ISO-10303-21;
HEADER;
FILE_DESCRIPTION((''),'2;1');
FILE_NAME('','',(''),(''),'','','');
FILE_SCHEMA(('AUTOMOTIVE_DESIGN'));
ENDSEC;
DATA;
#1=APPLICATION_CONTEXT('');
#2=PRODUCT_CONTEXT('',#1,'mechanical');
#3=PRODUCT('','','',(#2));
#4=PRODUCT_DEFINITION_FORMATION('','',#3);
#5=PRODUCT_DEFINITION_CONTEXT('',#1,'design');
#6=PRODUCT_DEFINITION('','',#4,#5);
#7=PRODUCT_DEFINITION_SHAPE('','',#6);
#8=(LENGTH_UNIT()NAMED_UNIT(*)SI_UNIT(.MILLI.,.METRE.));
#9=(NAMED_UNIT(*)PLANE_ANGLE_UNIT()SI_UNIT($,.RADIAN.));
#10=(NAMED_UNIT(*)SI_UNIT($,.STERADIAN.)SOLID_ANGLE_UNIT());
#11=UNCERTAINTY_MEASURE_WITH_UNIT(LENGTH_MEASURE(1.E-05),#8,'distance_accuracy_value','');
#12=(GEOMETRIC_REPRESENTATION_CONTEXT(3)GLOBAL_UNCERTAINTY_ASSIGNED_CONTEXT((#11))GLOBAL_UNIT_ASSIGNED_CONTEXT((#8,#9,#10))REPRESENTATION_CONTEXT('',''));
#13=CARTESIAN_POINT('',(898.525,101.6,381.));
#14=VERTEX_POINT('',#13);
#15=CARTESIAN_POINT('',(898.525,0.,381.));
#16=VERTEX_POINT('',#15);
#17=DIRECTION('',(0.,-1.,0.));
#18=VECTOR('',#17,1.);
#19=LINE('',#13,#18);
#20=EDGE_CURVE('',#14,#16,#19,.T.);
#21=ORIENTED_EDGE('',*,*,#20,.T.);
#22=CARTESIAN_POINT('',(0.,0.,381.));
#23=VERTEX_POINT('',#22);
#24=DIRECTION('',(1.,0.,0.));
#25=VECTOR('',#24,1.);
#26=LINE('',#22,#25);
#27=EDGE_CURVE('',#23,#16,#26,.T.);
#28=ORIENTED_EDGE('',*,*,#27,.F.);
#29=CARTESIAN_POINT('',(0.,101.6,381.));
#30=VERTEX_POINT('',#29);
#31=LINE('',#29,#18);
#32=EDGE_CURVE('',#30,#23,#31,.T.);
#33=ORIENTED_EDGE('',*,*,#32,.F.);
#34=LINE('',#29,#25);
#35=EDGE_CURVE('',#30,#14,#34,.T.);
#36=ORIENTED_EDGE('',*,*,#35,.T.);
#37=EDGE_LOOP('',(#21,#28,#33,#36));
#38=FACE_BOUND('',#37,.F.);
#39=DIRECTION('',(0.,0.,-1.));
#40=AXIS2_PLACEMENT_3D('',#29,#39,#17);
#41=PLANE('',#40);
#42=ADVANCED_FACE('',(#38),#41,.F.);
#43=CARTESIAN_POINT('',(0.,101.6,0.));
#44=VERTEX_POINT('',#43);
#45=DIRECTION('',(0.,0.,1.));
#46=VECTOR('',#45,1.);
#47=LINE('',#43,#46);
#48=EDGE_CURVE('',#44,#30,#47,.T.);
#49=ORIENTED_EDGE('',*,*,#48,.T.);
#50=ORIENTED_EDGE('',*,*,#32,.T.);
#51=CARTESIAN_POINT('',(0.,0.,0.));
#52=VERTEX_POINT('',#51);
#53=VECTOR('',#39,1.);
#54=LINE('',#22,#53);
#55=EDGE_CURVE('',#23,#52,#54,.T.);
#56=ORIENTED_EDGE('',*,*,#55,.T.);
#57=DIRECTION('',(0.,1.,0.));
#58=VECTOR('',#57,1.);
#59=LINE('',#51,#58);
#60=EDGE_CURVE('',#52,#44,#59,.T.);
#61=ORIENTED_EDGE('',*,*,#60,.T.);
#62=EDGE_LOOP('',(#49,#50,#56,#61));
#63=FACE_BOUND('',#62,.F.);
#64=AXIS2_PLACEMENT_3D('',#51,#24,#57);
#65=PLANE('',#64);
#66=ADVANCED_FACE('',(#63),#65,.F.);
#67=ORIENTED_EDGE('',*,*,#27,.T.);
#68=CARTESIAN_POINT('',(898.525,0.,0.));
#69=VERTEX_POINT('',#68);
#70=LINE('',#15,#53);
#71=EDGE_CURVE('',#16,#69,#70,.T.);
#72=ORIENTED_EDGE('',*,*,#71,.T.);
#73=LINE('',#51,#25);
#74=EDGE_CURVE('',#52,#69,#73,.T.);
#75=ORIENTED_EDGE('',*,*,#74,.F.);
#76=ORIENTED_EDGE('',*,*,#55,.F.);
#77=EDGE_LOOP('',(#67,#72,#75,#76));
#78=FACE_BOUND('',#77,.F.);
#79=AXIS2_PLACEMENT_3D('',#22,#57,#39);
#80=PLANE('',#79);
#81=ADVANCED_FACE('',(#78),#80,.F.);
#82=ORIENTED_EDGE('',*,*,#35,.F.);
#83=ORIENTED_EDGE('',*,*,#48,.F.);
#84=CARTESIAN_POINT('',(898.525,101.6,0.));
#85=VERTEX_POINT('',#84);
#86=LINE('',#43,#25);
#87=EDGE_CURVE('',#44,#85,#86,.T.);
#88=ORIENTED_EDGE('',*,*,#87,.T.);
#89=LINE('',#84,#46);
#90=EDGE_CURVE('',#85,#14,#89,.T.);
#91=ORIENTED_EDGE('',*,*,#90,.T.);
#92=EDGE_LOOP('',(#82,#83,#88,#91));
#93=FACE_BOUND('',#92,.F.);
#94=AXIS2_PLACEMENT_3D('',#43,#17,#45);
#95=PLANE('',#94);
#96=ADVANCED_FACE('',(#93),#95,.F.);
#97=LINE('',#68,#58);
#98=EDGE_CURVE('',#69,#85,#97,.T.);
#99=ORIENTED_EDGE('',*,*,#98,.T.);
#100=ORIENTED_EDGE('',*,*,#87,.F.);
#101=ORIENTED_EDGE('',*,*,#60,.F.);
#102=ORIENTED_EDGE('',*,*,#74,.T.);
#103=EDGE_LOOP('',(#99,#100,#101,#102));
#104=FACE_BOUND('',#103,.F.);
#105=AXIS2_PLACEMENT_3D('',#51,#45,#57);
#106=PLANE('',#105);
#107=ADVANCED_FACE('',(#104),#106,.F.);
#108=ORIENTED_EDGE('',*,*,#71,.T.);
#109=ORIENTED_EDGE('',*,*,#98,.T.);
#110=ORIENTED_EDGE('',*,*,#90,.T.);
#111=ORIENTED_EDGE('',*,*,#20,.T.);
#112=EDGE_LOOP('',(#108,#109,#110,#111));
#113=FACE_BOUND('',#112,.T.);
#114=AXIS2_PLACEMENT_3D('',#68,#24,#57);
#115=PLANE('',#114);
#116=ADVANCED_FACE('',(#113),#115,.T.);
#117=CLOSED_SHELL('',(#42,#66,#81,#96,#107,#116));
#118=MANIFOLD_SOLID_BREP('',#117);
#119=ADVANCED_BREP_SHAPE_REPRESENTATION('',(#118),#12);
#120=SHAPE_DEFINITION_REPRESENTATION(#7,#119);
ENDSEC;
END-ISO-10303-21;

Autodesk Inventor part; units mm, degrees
ref_plane "YZ Plane" through (0, 0, 0) normal (1, 0, 0) x (0, 1, 0)
ref_plane "XZ Plane" through (0, 0, 0) normal (0, 1, 0) x (-1, 0, 0)
ref_plane "XY Plane" through (0, 0, 0) normal (0, 0, 1) x (1, 0, 0)
sketch "Sketch1" plane through (0, 0, 0) normal (1, 0, 0) x (0, 1, 0)
  line L0 (0, 0) -> (101.6, 0)
  line L1 (101.6, 0) -> (101.6, 381)
  line L2 (101.6, 381) -> (0, 381)
  line L3 (0, 381) -> (0, 0)
  dimension "d0" = 101.6
  dimension "d1" = 381
extrude "Extrusion1" add sketch "Sketch1" along normal blind 898.525
properties part number "15in CAP" material "Limestone"
